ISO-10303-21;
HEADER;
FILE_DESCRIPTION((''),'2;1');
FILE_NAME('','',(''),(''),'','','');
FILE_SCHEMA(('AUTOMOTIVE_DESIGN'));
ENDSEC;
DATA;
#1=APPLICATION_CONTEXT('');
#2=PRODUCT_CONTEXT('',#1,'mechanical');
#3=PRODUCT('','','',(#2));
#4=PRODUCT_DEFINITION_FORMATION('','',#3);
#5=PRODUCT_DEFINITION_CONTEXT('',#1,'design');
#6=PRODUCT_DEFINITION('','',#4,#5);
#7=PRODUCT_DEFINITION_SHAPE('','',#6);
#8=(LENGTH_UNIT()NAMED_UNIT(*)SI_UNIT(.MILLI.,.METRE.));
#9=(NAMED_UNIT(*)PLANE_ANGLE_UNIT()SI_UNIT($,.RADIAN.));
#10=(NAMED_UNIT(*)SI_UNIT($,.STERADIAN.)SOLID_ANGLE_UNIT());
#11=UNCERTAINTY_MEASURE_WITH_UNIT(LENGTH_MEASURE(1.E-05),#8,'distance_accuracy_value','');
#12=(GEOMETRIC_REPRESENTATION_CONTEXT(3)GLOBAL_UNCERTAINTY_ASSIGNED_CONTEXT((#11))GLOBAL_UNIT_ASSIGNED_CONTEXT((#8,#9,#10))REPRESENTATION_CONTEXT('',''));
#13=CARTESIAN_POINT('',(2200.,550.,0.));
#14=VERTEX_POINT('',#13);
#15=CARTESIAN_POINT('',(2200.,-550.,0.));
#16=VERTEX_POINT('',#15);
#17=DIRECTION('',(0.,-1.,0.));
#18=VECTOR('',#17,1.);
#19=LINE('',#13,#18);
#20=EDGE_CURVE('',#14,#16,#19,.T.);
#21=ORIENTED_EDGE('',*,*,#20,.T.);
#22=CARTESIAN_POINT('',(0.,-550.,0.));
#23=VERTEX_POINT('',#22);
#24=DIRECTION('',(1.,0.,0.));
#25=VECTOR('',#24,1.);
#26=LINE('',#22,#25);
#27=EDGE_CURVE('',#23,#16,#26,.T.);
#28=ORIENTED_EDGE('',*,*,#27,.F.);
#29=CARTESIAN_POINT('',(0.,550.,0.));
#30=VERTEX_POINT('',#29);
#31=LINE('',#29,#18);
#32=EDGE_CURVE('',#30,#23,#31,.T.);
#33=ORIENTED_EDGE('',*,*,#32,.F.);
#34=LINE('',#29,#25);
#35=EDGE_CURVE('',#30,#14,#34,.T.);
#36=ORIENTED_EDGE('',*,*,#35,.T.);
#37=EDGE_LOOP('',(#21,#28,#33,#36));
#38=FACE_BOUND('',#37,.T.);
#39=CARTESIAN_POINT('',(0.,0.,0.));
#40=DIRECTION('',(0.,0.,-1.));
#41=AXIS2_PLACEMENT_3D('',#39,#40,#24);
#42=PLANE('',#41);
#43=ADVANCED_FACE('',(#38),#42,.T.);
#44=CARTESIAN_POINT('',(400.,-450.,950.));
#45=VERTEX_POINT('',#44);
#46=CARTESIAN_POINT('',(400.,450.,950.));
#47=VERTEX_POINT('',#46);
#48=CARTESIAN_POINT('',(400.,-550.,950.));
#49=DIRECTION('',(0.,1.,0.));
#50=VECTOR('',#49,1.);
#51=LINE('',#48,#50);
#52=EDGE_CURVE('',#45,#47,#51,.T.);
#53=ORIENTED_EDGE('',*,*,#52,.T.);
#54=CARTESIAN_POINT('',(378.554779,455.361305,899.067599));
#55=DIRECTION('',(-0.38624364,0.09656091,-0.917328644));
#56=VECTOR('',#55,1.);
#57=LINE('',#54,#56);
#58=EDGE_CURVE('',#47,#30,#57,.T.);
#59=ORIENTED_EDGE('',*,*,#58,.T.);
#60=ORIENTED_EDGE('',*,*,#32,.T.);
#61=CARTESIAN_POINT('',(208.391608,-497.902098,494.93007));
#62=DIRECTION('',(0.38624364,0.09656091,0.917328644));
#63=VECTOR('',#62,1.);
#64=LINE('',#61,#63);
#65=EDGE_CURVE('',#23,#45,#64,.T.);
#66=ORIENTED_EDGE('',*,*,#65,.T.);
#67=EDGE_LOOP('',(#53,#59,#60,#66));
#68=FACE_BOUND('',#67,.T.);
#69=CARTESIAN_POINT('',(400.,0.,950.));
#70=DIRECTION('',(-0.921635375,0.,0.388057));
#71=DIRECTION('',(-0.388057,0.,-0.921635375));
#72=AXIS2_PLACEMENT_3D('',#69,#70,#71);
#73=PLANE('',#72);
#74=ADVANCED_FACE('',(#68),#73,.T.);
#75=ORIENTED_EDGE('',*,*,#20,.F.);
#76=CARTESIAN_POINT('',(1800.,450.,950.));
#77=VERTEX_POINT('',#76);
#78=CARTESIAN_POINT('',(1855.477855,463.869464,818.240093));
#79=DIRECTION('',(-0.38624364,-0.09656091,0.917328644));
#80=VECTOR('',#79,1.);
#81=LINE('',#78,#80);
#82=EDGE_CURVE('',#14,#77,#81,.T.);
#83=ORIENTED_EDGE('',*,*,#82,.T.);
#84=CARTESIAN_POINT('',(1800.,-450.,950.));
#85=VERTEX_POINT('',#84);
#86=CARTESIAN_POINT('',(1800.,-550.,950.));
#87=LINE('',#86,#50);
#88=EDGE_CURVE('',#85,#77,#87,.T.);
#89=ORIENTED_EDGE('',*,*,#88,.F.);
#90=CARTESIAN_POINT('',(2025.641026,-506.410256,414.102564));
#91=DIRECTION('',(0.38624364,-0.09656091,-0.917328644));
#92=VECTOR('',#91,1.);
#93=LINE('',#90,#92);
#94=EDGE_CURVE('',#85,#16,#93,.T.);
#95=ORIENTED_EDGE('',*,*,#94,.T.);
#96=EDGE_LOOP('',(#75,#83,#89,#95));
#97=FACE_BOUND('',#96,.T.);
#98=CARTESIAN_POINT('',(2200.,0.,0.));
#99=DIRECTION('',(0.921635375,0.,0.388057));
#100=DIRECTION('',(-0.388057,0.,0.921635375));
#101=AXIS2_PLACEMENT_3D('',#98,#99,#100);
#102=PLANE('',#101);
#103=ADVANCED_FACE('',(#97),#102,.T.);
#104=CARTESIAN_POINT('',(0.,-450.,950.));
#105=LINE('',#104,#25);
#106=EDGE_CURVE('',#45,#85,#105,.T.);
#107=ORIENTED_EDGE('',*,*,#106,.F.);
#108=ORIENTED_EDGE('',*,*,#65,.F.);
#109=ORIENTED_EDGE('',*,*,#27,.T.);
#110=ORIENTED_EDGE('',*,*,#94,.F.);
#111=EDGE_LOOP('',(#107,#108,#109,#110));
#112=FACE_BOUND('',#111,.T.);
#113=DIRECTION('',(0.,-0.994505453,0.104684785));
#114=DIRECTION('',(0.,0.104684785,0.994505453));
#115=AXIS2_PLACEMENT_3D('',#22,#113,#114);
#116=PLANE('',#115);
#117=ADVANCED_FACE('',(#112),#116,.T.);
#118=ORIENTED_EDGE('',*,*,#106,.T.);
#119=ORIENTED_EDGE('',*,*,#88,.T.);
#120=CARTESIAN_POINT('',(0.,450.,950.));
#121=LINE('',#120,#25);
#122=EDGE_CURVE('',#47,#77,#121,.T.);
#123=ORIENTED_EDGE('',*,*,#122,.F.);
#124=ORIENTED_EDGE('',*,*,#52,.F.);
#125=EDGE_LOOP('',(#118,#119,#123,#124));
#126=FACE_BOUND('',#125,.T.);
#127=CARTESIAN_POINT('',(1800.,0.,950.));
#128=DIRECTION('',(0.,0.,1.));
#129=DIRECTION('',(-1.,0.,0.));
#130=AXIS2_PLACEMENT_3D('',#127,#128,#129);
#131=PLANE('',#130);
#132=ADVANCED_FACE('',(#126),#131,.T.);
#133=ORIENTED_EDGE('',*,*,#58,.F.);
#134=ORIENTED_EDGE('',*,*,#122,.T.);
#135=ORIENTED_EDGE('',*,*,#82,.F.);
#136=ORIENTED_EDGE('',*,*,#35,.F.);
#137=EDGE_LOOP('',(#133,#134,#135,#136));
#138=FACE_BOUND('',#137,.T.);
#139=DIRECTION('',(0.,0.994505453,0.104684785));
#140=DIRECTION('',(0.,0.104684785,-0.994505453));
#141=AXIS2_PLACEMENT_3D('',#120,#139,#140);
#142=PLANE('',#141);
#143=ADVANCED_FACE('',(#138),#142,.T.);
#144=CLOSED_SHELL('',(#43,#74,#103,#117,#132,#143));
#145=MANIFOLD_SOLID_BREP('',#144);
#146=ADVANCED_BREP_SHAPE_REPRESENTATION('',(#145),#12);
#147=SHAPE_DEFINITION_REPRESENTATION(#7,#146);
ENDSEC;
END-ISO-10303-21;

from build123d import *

# Parameters (mm, degrees)
F1_DEPTH = 550
F3_DEPTH = 2200.001


with BuildPart() as f1:
    # F0 (on Front) → F1 (new body, symmetric)
    with BuildSketch(Plane.XZ):
        Polygon((400, 950), (0, 0), (2200, 0), (1800, 950), align=None)
    extrude(amount=F1_DEPTH, both=True)

    # F2 (on Right) → F3 (cut, through all)
    with BuildSketch(Plane.YZ):
        Polygon((-550, 950), (-550, 0), (-450, 950), align=None)
        Polygon((450, 950), (550, 0), (550, 950), align=None)
    extrude(amount=F3_DEPTH, mode=Mode.SUBTRACT)


solid = f1.part
